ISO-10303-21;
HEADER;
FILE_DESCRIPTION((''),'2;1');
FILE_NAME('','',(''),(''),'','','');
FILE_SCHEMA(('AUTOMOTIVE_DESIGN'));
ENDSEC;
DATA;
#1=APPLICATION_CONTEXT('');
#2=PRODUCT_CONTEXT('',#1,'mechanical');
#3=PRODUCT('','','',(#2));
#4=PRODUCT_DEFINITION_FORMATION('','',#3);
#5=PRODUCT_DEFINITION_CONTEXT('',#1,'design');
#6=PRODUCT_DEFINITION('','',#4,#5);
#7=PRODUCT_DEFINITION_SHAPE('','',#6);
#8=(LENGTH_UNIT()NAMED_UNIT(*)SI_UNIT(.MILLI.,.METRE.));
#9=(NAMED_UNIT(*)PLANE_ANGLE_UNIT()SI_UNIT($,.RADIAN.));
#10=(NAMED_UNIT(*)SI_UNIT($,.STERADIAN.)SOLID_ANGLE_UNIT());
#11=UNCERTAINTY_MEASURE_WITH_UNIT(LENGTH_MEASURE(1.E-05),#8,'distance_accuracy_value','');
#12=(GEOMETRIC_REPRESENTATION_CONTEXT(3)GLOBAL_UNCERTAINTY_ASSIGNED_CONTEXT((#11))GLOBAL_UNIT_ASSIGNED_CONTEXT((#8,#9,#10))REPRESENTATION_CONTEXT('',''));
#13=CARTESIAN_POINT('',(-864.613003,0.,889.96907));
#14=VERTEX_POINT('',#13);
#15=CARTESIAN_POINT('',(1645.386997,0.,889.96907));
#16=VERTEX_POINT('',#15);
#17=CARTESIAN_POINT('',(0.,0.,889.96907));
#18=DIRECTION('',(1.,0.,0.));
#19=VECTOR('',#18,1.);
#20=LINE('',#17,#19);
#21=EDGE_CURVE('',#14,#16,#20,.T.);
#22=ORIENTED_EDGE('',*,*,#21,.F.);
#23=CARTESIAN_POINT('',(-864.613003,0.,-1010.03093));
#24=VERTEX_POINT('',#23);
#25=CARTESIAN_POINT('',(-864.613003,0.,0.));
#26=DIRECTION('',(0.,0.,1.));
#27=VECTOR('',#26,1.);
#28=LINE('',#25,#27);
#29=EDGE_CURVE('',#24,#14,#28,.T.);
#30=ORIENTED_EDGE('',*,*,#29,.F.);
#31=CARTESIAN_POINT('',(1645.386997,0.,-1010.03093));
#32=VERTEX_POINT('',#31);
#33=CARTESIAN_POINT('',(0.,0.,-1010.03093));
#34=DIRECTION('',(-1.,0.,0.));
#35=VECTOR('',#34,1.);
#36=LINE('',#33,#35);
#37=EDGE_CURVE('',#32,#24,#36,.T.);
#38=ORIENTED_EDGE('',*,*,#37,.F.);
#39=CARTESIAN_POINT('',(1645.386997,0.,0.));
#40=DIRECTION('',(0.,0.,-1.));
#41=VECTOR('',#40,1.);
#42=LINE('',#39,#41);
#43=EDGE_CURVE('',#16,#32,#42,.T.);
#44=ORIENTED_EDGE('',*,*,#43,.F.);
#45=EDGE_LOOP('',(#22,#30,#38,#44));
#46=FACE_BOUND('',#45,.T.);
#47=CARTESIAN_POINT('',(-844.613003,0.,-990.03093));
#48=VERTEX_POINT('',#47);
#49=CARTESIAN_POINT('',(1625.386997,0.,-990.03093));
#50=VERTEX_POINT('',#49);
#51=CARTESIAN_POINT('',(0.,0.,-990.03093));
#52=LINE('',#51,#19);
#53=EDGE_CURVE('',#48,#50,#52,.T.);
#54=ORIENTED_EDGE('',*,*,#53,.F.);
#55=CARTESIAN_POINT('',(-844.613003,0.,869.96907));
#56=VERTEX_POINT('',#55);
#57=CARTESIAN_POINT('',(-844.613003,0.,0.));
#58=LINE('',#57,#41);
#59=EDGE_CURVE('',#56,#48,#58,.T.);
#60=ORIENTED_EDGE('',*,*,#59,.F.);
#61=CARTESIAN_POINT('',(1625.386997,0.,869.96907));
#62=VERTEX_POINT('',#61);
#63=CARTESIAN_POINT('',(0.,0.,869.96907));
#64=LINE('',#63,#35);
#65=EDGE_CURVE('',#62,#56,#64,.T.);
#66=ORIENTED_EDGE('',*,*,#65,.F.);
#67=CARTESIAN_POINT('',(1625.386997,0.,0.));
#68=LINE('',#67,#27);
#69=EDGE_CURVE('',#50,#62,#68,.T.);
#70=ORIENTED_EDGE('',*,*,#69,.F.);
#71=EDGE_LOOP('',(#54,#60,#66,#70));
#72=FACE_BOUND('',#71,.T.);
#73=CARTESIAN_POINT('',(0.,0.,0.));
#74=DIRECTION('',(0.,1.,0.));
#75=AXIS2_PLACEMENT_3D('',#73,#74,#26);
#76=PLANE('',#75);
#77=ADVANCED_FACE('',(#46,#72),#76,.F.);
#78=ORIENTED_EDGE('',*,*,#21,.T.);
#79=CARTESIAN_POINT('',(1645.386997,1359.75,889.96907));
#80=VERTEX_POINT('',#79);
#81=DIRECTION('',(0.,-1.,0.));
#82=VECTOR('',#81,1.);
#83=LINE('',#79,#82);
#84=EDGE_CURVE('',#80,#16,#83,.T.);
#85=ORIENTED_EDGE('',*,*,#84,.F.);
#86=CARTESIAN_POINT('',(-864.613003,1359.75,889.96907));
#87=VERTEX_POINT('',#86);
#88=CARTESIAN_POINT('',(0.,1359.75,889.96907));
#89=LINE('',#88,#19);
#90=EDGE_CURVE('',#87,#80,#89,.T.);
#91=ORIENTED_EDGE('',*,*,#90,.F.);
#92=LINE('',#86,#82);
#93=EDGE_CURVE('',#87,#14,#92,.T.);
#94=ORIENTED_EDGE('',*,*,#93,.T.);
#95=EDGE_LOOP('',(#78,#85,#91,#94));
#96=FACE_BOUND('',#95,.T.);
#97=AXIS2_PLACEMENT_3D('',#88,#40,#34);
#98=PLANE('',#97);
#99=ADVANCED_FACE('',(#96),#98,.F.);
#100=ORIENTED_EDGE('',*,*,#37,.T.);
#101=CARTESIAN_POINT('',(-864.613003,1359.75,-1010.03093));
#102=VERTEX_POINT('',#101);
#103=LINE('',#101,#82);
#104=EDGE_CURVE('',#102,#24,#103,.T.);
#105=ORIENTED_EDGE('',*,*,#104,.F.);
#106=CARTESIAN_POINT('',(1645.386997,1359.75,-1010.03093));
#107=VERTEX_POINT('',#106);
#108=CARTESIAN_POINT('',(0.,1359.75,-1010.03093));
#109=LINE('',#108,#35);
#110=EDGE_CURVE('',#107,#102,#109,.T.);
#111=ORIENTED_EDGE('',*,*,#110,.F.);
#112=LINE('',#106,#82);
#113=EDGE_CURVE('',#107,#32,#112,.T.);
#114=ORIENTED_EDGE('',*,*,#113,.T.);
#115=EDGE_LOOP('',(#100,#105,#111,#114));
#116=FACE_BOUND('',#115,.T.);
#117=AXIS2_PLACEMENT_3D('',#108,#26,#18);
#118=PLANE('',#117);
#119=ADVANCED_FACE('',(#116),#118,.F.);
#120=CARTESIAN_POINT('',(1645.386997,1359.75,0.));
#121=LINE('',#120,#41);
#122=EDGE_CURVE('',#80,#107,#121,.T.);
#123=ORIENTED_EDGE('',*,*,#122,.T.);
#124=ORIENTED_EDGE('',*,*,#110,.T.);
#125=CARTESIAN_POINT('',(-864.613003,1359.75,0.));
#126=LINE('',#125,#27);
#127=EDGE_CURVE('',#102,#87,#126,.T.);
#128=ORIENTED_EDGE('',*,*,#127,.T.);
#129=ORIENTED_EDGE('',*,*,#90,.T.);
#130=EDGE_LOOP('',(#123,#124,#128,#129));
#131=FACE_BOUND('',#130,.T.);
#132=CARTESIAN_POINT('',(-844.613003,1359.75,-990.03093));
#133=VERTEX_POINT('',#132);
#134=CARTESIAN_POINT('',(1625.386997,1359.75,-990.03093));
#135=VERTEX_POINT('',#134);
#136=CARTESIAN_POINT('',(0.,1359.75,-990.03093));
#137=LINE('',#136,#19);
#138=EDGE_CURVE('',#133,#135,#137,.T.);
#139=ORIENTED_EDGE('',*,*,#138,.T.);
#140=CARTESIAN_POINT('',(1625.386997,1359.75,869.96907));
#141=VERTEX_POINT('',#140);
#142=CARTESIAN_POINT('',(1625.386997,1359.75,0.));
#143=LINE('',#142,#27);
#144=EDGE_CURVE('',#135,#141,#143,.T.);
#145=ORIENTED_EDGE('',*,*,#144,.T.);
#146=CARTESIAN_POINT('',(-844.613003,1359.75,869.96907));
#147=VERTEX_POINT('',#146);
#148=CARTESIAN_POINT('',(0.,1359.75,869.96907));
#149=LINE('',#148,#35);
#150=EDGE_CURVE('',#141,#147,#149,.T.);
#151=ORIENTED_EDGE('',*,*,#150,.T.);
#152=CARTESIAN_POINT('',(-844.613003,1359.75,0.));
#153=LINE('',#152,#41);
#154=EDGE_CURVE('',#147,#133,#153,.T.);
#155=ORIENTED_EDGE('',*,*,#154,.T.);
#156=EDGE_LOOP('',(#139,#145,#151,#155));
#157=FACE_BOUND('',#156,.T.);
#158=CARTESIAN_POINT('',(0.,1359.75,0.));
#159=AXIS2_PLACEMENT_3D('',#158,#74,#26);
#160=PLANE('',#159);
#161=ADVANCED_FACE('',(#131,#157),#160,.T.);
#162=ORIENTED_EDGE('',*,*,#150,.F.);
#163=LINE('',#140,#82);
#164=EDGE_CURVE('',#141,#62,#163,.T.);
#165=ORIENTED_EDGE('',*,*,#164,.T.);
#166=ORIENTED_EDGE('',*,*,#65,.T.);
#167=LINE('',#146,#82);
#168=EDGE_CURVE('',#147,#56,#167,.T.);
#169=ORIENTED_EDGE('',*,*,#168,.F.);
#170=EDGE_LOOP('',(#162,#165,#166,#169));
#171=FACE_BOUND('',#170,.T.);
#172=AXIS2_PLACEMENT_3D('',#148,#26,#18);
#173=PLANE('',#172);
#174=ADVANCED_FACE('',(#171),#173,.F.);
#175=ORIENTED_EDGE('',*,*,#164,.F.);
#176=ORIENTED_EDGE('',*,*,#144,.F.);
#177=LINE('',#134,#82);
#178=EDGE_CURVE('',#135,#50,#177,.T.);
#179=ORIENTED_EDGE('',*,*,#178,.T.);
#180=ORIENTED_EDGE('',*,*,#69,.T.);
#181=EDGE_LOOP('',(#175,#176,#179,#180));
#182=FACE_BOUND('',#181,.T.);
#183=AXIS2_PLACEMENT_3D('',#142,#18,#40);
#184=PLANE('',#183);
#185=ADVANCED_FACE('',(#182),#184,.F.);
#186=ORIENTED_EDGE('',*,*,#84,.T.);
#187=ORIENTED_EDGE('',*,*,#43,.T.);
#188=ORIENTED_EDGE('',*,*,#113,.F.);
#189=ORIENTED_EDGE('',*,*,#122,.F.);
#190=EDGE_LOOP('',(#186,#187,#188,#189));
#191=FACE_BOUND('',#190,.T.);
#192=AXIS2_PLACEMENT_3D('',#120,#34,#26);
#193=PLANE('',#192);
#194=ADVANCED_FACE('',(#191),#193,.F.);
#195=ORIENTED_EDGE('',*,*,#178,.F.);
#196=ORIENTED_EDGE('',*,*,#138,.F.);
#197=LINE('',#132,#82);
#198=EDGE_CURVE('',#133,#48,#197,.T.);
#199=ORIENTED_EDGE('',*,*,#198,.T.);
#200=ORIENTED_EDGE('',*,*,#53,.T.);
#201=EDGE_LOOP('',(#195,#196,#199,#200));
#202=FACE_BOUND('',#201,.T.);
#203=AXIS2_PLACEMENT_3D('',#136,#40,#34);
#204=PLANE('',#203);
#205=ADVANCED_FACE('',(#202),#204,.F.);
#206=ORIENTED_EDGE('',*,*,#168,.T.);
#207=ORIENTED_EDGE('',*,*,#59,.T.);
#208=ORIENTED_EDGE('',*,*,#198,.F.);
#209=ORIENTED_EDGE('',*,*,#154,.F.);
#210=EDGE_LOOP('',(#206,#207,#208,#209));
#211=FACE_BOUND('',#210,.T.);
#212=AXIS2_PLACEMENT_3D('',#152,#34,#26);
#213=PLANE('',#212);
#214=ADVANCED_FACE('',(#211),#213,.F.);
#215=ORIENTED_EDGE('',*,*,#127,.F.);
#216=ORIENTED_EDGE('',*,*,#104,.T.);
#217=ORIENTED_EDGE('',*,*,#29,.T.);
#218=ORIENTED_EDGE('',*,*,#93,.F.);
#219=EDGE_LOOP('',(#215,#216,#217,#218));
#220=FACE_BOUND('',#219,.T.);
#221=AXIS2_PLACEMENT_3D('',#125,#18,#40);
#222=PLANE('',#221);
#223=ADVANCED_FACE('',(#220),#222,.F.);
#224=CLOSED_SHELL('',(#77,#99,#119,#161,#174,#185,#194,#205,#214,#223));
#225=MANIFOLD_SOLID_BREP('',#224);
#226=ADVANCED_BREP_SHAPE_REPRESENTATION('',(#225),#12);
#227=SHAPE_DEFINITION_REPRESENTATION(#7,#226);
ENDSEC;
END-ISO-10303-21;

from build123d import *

# Parameters (mm, degrees)
SKETCH_1_W      = 2510
SKETCH_1_H      = 1900
SKETCH_1_W_2    = 2470
SKETCH_1_H_2    = 1860
EXTRUDE_1_DEPTH = 1359.75


with BuildPart() as part:
    # Эскиз1 → Выдавливание1 (new body)
    with BuildSketch(Plane(origin=(0, 0, 0), x_dir=(-1, 0, 0), z_dir=(0, 1, 0))):
        with Locations((-390.386996904, -60.030930247)):
            Rectangle(SKETCH_1_W, SKETCH_1_H)
        with Locations((-390.386996904, -60.030930247)):
            Rectangle(SKETCH_1_W_2, SKETCH_1_H_2, mode=Mode.SUBTRACT)
    extrude(amount=EXTRUDE_1_DEPTH)


solid = part.part
